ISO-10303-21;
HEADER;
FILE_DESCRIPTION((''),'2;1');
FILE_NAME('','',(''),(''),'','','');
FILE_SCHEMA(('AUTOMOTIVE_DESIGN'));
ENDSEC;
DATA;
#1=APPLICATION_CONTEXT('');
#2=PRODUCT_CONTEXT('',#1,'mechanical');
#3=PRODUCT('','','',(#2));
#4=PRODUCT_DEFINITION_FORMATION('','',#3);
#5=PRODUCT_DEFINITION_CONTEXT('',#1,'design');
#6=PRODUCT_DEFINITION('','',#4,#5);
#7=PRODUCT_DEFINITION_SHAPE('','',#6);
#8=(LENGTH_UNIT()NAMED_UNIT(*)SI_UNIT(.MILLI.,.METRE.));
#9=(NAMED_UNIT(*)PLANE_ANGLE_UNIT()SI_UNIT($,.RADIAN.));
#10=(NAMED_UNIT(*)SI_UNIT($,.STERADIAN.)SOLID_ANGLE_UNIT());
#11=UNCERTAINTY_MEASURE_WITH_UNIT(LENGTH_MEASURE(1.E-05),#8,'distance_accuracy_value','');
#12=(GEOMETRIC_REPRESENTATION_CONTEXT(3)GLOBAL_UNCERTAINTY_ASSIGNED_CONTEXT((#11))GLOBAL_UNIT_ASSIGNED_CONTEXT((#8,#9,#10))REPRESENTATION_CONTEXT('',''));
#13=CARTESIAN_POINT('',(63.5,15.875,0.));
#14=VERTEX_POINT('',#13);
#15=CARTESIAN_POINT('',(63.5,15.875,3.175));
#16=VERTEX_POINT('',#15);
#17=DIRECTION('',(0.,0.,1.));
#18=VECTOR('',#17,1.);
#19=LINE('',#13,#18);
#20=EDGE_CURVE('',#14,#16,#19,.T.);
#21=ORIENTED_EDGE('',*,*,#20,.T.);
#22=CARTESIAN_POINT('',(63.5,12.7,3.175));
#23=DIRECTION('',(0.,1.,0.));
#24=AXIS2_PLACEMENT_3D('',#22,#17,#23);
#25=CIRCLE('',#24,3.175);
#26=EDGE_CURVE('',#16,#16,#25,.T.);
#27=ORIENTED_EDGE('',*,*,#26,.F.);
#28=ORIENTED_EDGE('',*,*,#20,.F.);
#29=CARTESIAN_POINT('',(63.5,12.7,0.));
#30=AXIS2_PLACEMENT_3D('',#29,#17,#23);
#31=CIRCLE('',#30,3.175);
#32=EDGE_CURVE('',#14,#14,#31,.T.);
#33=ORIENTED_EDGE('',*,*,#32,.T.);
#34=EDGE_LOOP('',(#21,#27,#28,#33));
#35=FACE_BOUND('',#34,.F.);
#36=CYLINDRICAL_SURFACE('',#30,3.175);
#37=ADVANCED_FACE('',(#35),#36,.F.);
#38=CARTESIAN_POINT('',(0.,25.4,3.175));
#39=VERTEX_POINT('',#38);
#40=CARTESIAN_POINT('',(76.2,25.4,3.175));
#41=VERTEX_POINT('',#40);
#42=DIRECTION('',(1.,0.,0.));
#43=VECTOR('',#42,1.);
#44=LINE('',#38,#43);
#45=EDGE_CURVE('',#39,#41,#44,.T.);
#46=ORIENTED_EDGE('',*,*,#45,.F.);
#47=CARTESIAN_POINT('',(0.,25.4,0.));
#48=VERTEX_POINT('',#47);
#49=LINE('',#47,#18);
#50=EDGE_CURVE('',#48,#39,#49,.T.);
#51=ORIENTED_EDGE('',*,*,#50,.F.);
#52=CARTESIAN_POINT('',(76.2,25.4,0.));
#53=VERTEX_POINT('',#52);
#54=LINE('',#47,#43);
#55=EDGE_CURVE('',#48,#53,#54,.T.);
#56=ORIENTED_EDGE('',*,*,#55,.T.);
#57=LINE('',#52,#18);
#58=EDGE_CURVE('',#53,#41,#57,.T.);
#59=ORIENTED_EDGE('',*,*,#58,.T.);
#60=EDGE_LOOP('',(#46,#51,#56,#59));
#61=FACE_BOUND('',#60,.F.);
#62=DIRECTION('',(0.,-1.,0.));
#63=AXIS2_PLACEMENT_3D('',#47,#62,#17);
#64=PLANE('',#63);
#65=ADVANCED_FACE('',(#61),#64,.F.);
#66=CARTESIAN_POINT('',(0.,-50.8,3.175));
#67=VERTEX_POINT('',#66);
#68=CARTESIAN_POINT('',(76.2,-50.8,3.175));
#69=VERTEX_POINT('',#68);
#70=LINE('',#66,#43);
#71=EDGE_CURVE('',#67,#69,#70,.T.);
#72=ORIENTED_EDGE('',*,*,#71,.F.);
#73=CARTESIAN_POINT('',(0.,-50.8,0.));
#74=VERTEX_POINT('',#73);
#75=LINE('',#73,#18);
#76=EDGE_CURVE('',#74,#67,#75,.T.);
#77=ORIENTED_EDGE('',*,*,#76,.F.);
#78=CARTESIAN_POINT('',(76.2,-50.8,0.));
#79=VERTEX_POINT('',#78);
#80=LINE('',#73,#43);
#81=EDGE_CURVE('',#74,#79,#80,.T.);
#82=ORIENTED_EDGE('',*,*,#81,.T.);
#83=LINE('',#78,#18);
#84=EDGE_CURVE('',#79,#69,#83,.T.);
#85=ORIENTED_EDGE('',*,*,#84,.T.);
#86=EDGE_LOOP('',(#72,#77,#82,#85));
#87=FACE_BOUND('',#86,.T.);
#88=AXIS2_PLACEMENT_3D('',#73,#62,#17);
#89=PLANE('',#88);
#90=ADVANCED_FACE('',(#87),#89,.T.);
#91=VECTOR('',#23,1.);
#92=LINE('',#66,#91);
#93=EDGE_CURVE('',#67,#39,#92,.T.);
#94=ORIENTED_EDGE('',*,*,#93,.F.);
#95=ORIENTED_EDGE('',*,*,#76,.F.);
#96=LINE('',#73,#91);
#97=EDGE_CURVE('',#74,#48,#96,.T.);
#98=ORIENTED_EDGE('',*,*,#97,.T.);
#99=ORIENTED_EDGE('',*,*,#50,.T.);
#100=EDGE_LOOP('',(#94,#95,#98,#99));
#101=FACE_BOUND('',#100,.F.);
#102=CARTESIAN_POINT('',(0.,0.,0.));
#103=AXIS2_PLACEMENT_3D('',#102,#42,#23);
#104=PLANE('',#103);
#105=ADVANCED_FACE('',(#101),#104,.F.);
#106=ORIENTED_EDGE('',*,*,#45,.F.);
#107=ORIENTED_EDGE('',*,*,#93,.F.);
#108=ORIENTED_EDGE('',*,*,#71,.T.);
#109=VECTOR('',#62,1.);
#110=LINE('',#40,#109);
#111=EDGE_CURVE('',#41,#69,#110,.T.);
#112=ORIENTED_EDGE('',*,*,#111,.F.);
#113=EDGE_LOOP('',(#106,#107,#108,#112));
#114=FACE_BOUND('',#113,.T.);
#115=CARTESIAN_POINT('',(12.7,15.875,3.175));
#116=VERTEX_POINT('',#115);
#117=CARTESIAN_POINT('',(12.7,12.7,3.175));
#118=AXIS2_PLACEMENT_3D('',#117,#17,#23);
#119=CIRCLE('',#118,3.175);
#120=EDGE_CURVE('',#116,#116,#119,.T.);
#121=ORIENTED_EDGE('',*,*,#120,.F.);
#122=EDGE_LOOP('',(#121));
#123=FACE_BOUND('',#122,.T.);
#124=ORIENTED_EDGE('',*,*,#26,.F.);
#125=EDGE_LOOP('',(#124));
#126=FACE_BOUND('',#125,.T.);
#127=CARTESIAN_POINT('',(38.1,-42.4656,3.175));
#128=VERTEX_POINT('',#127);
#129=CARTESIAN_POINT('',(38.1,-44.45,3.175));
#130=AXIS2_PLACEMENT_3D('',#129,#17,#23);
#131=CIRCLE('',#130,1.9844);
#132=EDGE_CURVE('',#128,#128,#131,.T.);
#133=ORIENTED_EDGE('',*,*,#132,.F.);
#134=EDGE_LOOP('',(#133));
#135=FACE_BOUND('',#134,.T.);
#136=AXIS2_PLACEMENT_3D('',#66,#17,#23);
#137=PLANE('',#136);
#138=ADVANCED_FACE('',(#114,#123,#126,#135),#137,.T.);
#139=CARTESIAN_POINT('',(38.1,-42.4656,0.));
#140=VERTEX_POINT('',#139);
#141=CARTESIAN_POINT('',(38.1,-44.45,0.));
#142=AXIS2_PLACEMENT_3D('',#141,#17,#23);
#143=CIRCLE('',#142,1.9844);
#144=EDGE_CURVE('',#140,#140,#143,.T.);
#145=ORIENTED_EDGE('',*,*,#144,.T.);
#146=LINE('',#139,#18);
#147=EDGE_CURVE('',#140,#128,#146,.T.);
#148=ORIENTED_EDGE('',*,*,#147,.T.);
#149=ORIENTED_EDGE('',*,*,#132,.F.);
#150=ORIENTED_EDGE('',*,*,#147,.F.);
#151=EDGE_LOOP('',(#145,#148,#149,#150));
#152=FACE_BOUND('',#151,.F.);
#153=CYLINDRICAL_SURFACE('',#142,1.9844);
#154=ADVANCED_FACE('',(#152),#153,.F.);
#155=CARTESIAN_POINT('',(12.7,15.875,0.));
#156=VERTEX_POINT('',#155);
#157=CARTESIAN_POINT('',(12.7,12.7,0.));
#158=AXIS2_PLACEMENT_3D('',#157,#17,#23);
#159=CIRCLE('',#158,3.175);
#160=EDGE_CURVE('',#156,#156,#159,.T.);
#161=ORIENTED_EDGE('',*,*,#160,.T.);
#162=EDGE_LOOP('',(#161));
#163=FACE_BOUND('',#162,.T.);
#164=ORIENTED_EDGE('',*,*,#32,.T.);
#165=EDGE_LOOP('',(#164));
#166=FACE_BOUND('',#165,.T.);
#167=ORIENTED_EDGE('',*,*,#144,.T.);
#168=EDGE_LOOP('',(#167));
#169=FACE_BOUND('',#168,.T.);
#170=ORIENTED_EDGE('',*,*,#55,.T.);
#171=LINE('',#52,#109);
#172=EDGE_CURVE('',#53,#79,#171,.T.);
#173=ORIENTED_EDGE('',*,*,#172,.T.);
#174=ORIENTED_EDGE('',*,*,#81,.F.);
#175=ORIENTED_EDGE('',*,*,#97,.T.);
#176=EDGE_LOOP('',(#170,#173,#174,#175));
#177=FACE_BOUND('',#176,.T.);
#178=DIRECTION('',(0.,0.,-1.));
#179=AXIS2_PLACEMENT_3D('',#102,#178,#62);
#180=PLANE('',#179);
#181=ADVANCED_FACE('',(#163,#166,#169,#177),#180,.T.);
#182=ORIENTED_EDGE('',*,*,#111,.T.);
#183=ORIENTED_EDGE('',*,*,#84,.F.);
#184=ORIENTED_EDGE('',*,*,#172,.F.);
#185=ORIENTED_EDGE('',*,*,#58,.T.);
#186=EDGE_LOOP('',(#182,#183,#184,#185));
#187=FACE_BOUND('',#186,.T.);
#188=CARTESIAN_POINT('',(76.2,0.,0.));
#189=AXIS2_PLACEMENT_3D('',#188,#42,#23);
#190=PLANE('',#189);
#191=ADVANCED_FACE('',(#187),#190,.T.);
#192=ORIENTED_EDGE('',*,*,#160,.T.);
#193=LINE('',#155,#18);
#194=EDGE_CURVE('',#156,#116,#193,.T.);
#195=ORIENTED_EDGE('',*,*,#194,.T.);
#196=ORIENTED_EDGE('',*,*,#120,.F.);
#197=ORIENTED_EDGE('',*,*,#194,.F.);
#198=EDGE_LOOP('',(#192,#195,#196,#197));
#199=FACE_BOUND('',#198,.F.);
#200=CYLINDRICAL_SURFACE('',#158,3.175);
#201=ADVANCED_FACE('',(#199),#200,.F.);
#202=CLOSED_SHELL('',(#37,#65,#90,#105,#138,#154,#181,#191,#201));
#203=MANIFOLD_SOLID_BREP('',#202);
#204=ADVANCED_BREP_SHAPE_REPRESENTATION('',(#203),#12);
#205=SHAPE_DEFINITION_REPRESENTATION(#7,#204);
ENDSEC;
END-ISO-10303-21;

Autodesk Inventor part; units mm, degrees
ref_plane "YZ Plane" through (0, 0, 0) normal (1, 0, 0) x (0, 1, 0)
ref_plane "XZ Plane" through (0, 0, 0) normal (0, 1, 0) x (-1, 0, 0)
ref_plane "XY Plane" through (0, 0, 0) normal (0, 0, 1) x (1, 0, 0)
sketch "Sketch1" plane through (0, 0, 0) normal (1, 0, 0) x (0, 1, 0)
  line L0 (0, 0) -> (-50.8, 0)
  line L1 (-50.8, 0) -> (-50.8, 3.175)
  line L2 (-50.8, 3.175) -> (0, 3.175)
  line L3 (0, 3.175) -> (0, 0)
  line L4 (0, 0) -> (25.4, 0)
  line L5 (25.4, 0) -> (25.4, 3.175)
  line L6 (25.4, 3.175) -> (0, 3.175)
  line L7 (0, 3.175) -> (0, 0)
  line L8 (0, 0) -> (25.4, 0) construction
  dimension "d0" = 50.8
  dimension "d1" = 3.175
  dimension "d2" = 25.4
  dimension "d3" = 0
  dimension "d4" = 3.175
extrude "Extrusion1" add sketch "Sketch1" along normal blind 76.2
sketch "Sketch2" plane through (76.2, 25.4, 0) normal (0, 0, -1) x (-1, 0, 0)
  line L0 (76.2, 0) -> (0, 0) projected
  line L1 (76.2, -76.2) -> (76.2, 0) projected
  line L2 (0, -76.2) -> (0, 0) projected
  line L3 (76.2, -76.2) -> (0, -76.2) projected
  point P0 (12.7, -12.7)
  point P1 (63.5, -12.7)
hole "Hole1" at (63.5, 12.7, 0) at (12.7, 12.7, 0) direction (0, 0, 1) diameter 6.35 end through all
sketch "Sketch3" plane through (0, -50.8, 0) normal (0, 0, -1) x (-1, 0, 0)
  line L0 (0, 0) -> (0, 76.2) projected
  line L1 (-76.2, 0) -> (-76.2, 76.2) projected
  line L2 (0, 0) -> (-76.2, 0) projected
  line L3 (0, 76.2) -> (-76.2, 76.2) projected
  point P0 (0, 50.8)
  point P1 (-38.1, 6.35)
  dimension "d18" = 6.35
  dimension "d19" = 38.1
hole "Hole2" at (38.1, -44.45, 0) direction (0, 0, 1) diameter 3.9688 end through all
properties part number "camera mount" material "Aluminum 6061"
